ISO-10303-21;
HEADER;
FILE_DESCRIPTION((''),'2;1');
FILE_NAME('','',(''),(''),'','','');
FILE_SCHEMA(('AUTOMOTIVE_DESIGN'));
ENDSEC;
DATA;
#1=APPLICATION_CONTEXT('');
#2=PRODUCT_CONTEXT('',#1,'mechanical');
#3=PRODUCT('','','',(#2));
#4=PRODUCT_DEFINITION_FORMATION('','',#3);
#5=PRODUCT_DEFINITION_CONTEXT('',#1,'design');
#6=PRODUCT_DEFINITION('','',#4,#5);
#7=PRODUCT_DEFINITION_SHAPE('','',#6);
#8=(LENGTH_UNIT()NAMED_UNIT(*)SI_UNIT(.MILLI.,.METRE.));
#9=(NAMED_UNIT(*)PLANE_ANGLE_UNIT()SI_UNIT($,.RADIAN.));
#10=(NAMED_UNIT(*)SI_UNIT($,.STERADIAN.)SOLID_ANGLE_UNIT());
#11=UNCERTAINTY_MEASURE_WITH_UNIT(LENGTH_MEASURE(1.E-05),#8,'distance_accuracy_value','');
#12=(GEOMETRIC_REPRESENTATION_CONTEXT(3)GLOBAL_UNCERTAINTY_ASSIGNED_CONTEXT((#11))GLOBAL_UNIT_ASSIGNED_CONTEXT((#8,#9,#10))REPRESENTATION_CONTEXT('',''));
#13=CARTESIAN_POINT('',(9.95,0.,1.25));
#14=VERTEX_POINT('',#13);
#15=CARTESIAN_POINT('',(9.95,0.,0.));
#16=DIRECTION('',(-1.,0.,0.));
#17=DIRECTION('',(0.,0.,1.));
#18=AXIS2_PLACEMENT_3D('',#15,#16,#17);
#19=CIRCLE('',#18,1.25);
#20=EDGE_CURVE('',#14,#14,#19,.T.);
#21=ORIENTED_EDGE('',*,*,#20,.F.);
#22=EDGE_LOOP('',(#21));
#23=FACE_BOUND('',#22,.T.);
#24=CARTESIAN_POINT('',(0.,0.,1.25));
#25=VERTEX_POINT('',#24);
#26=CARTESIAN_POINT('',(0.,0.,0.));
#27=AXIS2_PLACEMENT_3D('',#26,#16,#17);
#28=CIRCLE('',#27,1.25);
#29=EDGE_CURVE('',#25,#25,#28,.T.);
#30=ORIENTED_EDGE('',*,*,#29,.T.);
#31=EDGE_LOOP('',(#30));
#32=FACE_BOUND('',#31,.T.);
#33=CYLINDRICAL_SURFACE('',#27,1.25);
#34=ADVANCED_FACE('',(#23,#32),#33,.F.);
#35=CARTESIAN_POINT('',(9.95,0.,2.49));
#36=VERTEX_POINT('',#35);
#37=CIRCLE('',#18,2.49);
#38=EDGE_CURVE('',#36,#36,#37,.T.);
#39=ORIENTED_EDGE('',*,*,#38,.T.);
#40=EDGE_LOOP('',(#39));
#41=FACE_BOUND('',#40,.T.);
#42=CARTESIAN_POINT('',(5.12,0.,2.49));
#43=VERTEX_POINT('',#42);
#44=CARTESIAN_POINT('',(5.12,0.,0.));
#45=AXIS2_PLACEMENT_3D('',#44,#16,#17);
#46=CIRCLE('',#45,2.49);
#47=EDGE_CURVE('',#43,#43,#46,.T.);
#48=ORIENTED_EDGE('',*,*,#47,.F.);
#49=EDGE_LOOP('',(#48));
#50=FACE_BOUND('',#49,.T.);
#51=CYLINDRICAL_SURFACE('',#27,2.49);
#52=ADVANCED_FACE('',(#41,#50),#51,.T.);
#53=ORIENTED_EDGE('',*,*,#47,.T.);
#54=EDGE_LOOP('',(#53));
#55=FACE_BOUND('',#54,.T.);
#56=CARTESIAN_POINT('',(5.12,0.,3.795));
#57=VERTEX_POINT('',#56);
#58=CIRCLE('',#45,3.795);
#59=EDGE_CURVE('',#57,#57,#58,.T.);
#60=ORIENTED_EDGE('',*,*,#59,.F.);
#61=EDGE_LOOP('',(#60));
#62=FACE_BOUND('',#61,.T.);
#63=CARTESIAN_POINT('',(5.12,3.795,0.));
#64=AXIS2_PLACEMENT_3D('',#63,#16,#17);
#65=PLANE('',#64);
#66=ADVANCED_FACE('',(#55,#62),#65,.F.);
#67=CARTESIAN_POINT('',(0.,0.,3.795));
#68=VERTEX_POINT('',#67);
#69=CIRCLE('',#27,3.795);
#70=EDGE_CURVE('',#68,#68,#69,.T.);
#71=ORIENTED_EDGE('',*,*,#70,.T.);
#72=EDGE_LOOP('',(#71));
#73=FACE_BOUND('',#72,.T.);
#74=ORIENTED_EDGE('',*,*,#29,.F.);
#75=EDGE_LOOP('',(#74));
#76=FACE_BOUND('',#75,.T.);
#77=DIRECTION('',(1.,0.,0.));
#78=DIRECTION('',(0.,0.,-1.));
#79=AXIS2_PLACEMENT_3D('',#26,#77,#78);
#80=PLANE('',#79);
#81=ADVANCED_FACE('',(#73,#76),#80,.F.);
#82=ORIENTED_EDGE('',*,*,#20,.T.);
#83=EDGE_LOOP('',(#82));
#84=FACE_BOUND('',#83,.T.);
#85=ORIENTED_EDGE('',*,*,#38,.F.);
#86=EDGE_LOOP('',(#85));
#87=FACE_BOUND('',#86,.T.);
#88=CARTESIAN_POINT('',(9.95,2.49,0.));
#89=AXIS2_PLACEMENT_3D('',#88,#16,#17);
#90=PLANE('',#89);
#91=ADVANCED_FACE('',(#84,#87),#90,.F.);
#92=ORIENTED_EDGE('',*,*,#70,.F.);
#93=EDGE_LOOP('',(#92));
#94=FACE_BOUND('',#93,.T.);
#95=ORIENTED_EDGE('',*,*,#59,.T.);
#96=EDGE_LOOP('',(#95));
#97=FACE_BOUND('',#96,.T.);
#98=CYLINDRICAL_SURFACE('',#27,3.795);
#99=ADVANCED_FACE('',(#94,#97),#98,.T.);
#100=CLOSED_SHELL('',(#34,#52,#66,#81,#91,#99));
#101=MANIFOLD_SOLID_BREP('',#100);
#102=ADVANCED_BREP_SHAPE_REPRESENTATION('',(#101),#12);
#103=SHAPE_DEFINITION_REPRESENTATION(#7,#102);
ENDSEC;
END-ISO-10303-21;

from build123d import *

# Parameters (mm, degrees)
FORO_FILETTATO_M3X0_5_1_D = 2.5


with BuildPart() as part:
    # Schizzo1 → Rivoluzione1 (revolve)
    with BuildSketch(Plane.XY, mode=Mode.PRIVATE) as rivoluzione1_sk:
        Polygon((0, 0), (0, 3.795), (5.12, 3.795), (5.12, 2.49), (9.95, 2.49), (9.95, 0), align=None)
    revolve(rivoluzione1_sk.sketch.rotate(Axis((0, 0, 0), (1, 0, 0)), 90), axis=Axis((0, 0, 0), (1, 0, 0)))

    # Foro filettato M3x0.5-1 (through all)
    with Locations(Plane.ZY):
        with Locations((0, 0)):
            Hole(FORO_FILETTATO_M3X0_5_1_D / 2)


solid = part.part
